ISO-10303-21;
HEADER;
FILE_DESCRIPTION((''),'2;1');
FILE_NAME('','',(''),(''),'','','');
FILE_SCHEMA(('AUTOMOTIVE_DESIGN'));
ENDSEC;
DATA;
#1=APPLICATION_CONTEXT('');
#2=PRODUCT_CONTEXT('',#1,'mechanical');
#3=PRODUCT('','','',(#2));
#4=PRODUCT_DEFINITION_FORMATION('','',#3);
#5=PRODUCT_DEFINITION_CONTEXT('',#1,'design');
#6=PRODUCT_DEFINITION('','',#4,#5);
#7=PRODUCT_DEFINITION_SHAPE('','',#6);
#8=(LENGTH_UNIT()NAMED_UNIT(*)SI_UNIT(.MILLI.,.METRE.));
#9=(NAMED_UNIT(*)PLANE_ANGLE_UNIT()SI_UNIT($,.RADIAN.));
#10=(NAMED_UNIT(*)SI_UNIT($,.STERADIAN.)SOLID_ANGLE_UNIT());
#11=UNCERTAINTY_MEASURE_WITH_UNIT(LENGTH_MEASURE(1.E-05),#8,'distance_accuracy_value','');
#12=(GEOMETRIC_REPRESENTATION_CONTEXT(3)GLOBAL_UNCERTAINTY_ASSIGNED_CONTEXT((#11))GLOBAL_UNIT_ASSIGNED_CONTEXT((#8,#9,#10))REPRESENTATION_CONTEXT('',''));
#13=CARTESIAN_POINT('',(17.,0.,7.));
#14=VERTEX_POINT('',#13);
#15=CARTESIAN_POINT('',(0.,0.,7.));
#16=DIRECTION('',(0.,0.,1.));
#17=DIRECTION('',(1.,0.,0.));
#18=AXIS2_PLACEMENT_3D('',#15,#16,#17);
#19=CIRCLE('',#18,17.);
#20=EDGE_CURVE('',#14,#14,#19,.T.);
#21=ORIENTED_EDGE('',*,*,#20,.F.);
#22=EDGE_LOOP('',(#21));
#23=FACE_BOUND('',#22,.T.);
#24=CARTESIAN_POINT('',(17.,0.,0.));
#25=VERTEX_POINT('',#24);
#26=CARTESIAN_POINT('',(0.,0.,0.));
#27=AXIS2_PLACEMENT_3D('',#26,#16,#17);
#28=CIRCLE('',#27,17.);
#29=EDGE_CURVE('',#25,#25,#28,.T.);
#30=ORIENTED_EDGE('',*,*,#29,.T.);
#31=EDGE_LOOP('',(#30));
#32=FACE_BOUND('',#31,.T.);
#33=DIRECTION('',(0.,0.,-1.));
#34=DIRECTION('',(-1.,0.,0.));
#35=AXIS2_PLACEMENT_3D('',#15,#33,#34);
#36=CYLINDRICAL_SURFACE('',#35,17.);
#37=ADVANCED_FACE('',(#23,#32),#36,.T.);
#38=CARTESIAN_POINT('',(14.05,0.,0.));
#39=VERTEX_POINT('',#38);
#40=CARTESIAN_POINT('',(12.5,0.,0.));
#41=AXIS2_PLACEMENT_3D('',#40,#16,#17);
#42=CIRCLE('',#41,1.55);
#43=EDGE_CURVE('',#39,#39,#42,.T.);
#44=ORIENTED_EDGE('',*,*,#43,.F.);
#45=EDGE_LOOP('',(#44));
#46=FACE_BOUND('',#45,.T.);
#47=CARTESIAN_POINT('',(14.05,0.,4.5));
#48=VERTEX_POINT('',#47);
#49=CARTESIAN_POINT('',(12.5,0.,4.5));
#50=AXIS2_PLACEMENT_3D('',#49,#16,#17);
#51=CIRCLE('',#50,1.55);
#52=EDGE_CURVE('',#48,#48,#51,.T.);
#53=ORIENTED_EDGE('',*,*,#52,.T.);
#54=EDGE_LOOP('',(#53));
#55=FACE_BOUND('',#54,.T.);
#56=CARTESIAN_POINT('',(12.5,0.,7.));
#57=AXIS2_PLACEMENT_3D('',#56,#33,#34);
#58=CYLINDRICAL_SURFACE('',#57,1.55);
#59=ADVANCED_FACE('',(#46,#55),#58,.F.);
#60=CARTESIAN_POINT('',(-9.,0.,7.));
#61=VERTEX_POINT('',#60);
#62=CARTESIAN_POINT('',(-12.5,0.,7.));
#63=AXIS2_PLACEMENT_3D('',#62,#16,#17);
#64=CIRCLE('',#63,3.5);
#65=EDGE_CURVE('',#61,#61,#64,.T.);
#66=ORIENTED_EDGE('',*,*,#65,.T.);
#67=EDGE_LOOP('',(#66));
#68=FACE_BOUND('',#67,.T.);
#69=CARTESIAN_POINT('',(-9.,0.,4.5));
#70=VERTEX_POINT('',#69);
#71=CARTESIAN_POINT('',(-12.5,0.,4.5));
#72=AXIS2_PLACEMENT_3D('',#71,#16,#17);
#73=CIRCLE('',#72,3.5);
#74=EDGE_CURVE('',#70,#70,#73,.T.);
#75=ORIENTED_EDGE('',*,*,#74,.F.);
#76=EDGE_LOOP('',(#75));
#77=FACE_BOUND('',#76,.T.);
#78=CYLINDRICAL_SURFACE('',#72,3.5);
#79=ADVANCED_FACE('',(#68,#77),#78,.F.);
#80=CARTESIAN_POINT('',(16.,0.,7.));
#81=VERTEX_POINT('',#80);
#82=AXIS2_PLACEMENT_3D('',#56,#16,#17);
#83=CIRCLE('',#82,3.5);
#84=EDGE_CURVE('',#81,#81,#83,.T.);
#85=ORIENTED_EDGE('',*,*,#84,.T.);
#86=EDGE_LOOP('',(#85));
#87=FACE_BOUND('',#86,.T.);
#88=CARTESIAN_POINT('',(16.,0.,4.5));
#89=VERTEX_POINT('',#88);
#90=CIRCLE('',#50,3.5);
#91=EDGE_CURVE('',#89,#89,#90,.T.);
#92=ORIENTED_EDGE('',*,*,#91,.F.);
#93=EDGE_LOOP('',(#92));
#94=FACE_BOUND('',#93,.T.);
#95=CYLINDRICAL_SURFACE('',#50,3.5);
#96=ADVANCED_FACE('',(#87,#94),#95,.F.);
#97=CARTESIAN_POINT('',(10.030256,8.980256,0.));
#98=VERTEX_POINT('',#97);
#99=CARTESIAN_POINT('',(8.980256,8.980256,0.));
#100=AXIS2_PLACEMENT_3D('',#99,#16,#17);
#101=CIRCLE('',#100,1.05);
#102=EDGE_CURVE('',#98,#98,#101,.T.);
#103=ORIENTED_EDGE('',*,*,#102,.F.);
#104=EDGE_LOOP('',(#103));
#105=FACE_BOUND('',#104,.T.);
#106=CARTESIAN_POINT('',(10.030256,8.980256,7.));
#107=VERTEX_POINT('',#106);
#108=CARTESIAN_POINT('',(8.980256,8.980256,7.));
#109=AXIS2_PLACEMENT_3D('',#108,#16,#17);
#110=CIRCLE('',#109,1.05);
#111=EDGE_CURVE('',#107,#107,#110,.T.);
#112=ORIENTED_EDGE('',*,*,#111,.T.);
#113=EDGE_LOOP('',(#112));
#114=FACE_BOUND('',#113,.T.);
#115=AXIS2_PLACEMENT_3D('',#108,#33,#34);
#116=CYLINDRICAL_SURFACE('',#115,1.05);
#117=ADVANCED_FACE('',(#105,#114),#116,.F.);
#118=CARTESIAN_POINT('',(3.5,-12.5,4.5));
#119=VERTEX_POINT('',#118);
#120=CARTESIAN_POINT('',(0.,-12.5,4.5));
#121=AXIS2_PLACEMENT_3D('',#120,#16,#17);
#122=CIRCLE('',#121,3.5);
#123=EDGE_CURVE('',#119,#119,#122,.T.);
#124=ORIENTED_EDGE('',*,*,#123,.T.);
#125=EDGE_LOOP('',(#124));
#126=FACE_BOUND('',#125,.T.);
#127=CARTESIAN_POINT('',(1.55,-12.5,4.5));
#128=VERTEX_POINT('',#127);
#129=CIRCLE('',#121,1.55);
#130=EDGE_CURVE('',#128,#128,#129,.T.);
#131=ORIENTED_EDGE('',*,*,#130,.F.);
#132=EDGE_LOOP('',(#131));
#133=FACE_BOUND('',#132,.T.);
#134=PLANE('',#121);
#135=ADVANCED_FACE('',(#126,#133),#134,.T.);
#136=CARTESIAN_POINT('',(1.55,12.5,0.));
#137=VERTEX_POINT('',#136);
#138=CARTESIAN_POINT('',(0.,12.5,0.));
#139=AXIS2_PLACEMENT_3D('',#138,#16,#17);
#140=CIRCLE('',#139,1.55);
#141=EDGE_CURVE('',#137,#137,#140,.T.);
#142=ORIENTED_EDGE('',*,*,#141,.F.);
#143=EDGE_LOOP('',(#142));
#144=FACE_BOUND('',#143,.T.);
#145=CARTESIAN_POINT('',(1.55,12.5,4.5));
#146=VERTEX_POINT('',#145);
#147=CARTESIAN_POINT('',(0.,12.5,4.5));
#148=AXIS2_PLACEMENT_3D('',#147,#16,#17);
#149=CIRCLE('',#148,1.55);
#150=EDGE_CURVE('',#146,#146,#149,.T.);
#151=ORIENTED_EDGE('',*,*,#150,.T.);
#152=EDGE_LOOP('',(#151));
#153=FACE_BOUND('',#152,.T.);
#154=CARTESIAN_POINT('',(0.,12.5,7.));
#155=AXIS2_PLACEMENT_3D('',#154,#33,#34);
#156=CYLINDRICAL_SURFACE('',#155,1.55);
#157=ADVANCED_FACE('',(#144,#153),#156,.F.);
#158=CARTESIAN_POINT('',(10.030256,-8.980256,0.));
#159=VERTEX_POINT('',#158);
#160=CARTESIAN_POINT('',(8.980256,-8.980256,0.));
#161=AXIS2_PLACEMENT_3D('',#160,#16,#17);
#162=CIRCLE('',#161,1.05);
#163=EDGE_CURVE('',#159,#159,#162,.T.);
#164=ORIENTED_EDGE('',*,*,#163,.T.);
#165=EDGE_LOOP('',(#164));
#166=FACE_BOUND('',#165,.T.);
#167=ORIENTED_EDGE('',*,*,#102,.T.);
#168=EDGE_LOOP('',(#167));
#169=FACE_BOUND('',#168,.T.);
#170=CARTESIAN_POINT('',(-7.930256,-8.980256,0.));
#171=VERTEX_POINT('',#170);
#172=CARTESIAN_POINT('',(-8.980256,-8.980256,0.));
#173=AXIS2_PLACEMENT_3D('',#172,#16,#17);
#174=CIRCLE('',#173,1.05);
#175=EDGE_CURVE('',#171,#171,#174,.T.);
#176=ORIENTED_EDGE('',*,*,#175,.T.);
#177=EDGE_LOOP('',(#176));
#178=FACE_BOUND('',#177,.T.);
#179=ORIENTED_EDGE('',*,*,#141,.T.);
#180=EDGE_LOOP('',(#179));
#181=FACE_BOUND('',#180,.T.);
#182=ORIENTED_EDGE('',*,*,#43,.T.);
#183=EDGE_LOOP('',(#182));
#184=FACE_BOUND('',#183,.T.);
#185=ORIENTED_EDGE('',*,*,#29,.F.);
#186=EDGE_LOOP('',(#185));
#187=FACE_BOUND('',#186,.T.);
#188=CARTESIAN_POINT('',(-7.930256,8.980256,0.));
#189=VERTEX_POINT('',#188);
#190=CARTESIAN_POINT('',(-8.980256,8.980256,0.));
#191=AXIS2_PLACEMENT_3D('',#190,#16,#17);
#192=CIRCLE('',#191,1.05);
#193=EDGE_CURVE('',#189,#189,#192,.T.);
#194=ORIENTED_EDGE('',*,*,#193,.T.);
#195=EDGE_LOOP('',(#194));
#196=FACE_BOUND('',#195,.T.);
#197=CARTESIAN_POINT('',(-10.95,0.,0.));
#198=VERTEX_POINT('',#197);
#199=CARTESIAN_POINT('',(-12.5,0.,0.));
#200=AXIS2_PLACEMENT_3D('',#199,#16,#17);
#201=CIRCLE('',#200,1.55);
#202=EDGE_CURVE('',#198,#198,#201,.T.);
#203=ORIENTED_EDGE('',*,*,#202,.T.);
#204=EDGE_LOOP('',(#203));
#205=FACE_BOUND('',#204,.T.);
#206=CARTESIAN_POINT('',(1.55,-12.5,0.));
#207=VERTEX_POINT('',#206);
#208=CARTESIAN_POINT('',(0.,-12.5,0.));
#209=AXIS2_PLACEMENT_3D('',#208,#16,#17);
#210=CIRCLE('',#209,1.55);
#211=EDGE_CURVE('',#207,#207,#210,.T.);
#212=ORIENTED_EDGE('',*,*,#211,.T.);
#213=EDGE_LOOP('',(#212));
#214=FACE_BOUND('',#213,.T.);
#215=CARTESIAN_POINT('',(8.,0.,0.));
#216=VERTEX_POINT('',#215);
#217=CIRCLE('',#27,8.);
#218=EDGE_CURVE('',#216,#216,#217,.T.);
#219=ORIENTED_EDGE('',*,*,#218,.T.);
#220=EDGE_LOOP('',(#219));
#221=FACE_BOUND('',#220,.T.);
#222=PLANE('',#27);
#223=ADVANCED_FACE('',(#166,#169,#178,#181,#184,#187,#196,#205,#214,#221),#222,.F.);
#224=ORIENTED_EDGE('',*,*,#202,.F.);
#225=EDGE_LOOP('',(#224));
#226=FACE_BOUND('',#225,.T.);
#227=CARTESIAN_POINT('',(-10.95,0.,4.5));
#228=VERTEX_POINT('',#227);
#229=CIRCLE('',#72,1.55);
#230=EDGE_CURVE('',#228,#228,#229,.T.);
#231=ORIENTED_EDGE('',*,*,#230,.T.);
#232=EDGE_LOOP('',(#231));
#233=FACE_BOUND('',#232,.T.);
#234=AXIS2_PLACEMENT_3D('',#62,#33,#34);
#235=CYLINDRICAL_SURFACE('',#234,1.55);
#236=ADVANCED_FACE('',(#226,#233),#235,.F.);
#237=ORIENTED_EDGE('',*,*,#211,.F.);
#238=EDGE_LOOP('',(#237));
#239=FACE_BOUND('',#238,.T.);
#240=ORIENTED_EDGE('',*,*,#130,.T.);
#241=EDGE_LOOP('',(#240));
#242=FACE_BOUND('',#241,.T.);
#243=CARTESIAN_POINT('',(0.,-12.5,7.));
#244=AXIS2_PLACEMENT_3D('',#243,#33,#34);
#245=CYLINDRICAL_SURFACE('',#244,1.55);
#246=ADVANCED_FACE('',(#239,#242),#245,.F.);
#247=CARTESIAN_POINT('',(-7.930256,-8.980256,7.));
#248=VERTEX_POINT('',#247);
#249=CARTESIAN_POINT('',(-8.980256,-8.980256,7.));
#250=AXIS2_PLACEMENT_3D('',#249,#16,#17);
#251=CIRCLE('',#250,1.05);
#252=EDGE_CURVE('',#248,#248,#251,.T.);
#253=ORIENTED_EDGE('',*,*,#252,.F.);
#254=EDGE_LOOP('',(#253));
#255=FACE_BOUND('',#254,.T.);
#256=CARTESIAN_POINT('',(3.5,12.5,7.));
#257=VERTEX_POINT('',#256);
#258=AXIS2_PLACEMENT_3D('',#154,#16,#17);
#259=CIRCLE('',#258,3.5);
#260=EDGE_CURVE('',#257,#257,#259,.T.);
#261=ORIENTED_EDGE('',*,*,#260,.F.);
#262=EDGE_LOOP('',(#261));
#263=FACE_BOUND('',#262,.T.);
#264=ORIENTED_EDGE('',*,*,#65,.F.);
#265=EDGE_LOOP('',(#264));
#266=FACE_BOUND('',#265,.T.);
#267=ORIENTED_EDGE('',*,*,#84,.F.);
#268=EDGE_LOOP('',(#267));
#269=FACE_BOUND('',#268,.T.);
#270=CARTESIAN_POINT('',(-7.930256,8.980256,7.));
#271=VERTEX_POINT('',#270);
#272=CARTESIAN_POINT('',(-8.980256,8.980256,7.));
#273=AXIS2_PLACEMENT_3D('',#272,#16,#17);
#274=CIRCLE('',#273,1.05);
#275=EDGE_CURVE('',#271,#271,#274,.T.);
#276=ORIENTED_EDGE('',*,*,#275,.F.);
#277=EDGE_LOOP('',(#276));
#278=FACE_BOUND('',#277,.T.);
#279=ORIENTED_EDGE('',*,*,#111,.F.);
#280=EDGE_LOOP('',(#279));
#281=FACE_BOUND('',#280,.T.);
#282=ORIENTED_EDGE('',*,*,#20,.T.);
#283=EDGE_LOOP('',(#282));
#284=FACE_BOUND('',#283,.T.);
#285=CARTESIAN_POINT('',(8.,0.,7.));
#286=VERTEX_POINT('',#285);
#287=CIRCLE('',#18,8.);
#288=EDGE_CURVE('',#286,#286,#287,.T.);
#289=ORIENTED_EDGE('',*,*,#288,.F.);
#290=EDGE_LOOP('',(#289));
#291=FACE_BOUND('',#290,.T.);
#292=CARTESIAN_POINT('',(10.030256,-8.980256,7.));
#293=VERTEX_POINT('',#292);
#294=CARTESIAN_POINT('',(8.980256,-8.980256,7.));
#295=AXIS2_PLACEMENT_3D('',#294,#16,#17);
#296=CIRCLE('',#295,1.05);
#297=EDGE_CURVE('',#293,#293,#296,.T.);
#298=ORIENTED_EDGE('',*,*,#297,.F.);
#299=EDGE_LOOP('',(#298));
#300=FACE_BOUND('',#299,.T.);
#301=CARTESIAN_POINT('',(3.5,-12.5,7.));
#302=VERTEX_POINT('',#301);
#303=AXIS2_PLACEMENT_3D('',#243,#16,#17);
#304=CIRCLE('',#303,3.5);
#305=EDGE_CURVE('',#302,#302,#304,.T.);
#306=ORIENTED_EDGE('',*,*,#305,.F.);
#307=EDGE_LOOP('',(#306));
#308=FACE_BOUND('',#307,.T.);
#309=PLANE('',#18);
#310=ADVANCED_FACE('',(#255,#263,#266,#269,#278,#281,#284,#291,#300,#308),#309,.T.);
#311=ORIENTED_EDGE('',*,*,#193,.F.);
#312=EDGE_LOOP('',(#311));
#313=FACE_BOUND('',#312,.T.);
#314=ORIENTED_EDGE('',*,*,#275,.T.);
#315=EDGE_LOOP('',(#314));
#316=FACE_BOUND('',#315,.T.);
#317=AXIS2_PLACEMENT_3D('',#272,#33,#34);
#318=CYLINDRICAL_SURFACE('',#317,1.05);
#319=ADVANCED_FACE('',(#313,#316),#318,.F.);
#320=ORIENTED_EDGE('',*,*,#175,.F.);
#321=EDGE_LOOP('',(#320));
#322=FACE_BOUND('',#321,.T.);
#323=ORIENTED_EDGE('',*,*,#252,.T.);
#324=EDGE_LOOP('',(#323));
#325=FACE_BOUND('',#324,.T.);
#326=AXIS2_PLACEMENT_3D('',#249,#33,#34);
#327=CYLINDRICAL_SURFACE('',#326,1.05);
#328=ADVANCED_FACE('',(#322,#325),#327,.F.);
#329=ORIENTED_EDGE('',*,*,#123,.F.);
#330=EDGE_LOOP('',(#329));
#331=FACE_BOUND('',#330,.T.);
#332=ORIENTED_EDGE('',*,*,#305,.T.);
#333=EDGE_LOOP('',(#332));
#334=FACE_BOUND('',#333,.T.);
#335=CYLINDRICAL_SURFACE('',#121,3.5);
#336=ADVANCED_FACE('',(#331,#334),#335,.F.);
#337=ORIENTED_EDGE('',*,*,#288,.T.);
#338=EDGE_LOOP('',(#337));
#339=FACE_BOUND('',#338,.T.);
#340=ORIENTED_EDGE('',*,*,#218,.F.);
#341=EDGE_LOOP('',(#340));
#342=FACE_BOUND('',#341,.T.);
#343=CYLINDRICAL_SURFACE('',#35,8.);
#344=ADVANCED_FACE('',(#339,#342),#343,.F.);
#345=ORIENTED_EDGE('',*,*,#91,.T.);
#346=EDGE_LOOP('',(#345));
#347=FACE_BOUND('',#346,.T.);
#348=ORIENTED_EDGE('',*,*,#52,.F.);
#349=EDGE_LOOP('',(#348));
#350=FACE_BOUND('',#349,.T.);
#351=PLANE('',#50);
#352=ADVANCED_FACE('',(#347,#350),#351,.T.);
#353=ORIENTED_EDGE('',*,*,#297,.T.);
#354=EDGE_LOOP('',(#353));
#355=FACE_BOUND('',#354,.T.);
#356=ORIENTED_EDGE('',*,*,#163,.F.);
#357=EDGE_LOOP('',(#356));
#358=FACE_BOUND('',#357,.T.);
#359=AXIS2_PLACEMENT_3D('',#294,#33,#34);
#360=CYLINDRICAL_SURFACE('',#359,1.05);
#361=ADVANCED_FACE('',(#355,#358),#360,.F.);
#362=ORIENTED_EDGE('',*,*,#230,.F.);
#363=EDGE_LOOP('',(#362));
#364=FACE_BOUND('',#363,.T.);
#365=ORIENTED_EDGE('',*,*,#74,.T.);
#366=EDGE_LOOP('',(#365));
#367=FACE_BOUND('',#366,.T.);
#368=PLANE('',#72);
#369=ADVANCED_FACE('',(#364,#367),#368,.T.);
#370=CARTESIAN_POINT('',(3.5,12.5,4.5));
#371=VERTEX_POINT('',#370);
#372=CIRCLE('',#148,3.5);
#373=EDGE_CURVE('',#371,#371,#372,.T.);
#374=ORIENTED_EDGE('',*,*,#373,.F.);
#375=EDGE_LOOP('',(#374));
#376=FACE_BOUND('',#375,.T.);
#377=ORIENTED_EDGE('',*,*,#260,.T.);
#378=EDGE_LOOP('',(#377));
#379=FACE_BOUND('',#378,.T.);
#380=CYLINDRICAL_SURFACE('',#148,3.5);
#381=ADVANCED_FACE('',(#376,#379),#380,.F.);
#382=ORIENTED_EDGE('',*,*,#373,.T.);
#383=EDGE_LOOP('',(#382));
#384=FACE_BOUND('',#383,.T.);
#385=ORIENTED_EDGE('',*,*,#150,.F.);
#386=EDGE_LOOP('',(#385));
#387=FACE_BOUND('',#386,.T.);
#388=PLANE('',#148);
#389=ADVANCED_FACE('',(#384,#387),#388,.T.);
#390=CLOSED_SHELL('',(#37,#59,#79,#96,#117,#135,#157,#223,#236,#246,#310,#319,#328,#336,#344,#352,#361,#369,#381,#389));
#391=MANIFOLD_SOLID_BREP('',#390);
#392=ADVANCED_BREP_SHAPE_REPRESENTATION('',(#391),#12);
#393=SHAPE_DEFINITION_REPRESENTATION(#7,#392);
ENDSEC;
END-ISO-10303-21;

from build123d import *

# Parameters (mm, degrees)
SKETCH1_R           = 17
SKETCH1_R_2         = 1.55
SKETCH1_R_3         = 1.05
SKETCH1_R_4         = 8
BOSS_EXTRUDE1_DEPTH = 7
SKETCH2_R           = 3.5
CUT_EXTRUDE2_DEPTH  = 2.5


with BuildPart() as part:
    # Sketch1 → Boss-Extrude1 (new body)
    with BuildSketch(Plane.XY):
        Circle(SKETCH1_R)
        with Locations((0, 12.5)):
            Circle(SKETCH1_R_2, mode=Mode.SUBTRACT)
        with Locations((12.5, 0)):
            Circle(SKETCH1_R_2, mode=Mode.SUBTRACT)
        with Locations((0, -12.5)):
            Circle(SKETCH1_R_2, mode=Mode.SUBTRACT)
        with Locations((-12.5, 0)):
            Circle(SKETCH1_R_2, mode=Mode.SUBTRACT)
        with Locations((-8.980256121, 8.980256121)):
            Circle(SKETCH1_R_3, mode=Mode.SUBTRACT)
        with Locations((8.980256121, 8.980256121)):
            Circle(SKETCH1_R_3, mode=Mode.SUBTRACT)
        with Locations((8.980256121, -8.980256121)):
            Circle(SKETCH1_R_3, mode=Mode.SUBTRACT)
        with Locations((-8.980256121, -8.980256121)):
            Circle(SKETCH1_R_3, mode=Mode.SUBTRACT)
        Circle(SKETCH1_R_4, mode=Mode.SUBTRACT)
    extrude(amount=BOSS_EXTRUDE1_DEPTH)

    # Sketch2 → Cut-Extrude2 (cut)
    with BuildSketch(Plane.XY.offset(7)):
        with Locations((0, 12.5)):
            Circle(SKETCH2_R)
        with Locations((12.5, 0)):
            Circle(SKETCH2_R)
        with Locations((0, -12.5)):
            Circle(SKETCH2_R)
        with Locations((-12.5, 0)):
            Circle(SKETCH2_R)
    extrude(amount=-CUT_EXTRUDE2_DEPTH, mode=Mode.SUBTRACT)


solid = part.part
